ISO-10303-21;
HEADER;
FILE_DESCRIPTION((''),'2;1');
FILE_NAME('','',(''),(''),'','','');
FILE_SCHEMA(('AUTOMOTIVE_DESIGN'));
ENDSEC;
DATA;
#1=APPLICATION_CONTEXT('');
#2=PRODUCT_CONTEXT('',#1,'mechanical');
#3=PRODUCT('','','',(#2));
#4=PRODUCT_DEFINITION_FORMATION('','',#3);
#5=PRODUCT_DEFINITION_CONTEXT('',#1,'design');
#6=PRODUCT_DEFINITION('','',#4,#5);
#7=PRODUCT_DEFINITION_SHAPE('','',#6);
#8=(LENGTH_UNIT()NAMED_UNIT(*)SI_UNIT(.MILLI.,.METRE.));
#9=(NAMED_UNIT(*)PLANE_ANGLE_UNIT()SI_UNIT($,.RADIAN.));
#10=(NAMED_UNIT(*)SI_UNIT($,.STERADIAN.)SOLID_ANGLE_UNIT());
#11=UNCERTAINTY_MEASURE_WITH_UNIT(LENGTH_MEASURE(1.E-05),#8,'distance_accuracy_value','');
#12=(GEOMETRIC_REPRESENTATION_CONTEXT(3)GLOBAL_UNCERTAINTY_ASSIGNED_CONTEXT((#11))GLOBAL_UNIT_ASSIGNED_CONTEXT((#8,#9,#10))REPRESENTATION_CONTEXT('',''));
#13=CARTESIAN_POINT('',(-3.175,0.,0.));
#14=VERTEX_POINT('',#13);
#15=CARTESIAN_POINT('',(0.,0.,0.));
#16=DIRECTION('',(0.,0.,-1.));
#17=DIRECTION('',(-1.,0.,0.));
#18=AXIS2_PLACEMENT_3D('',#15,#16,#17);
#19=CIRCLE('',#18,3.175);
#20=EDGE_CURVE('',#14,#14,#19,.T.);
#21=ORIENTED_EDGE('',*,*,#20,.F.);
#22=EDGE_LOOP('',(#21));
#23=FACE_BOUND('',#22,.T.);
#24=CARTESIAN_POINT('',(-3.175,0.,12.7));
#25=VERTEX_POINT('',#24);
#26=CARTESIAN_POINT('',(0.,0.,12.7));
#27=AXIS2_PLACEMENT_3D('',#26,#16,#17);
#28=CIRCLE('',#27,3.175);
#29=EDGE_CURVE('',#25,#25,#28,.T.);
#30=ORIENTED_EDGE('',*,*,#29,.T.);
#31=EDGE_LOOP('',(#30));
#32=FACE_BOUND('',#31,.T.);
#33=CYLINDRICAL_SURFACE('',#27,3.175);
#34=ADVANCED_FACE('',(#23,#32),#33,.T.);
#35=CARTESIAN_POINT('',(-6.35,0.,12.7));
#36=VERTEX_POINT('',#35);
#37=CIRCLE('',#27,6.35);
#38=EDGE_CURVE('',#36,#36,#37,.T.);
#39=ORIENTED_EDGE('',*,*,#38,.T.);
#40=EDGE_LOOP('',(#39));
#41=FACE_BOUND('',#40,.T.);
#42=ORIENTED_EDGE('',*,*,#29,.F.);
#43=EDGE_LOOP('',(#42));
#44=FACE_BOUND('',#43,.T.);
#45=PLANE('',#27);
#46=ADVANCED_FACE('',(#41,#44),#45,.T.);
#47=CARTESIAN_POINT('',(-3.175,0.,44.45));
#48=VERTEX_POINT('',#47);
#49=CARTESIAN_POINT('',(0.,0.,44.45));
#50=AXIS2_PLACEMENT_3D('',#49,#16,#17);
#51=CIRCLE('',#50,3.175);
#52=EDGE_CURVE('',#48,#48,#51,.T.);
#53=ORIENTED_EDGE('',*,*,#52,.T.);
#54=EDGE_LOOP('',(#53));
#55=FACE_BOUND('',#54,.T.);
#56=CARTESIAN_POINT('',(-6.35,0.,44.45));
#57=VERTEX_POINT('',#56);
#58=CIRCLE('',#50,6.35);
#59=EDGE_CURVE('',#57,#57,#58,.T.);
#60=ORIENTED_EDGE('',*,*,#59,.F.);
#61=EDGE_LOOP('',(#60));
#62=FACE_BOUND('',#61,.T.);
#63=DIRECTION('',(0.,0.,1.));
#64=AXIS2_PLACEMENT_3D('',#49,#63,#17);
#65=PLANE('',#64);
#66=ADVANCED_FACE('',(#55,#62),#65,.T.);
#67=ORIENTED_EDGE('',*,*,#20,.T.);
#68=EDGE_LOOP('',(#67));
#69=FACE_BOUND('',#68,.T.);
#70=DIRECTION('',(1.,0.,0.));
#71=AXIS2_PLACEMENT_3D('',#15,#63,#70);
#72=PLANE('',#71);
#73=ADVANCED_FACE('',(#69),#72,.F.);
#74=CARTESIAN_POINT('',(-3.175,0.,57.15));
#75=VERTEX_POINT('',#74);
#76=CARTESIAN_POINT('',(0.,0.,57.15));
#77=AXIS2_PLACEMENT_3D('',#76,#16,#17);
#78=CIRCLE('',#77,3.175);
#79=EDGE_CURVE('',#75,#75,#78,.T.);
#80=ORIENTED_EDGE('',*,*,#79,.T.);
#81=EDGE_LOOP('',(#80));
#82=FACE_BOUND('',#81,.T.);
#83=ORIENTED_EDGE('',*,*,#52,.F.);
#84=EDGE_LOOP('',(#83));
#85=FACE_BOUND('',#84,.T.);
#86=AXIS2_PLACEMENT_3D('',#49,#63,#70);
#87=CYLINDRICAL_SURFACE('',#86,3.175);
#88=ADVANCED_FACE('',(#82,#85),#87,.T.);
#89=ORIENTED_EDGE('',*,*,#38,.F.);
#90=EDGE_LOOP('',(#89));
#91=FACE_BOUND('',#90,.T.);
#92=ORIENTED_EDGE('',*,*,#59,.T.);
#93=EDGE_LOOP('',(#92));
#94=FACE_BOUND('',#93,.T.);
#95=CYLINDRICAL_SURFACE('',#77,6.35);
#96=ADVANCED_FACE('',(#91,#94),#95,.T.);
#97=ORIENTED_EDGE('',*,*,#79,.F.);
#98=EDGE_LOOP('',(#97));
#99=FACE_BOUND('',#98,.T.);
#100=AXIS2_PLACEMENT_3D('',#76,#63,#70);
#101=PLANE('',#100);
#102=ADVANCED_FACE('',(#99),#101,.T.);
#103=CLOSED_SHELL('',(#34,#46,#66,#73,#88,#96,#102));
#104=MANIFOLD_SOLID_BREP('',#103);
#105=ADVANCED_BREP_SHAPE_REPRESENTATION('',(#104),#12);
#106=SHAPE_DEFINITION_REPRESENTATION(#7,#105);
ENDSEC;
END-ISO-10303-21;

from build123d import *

# Parameters (mm, degrees)
SKETCH1_R           = 6.35
BOSS_EXTRUDE1_DEPTH = 57.15
SKETCH3_R           = 6.35
SKETCH3_R_2         = 3.175
CUT_EXTRUDE1_DEPTH  = 12.7


with BuildPart() as part:
    # Sketch1 → Boss-Extrude1 (new body)
    with BuildSketch(Plane.XY):
        Circle(SKETCH1_R)
    extrude(amount=BOSS_EXTRUDE1_DEPTH)

    # Sketch3 → Cut-Extrude1 (cut)
    with BuildSketch(Plane(origin=(0, 0, 0), x_dir=(-1, 0, 0), z_dir=(0, 0, -1))):
        Circle(SKETCH3_R)
        Circle(SKETCH3_R_2, mode=Mode.SUBTRACT)
    cut_extrude1 = extrude(amount=-CUT_EXTRUDE1_DEPTH, mode=Mode.SUBTRACT)

    # Mirror1: Cut-Extrude1 across plane
    add(cut_extrude1.mirror(Plane.XY.offset(28.575)), mode=Mode.SUBTRACT)


solid = part.part
